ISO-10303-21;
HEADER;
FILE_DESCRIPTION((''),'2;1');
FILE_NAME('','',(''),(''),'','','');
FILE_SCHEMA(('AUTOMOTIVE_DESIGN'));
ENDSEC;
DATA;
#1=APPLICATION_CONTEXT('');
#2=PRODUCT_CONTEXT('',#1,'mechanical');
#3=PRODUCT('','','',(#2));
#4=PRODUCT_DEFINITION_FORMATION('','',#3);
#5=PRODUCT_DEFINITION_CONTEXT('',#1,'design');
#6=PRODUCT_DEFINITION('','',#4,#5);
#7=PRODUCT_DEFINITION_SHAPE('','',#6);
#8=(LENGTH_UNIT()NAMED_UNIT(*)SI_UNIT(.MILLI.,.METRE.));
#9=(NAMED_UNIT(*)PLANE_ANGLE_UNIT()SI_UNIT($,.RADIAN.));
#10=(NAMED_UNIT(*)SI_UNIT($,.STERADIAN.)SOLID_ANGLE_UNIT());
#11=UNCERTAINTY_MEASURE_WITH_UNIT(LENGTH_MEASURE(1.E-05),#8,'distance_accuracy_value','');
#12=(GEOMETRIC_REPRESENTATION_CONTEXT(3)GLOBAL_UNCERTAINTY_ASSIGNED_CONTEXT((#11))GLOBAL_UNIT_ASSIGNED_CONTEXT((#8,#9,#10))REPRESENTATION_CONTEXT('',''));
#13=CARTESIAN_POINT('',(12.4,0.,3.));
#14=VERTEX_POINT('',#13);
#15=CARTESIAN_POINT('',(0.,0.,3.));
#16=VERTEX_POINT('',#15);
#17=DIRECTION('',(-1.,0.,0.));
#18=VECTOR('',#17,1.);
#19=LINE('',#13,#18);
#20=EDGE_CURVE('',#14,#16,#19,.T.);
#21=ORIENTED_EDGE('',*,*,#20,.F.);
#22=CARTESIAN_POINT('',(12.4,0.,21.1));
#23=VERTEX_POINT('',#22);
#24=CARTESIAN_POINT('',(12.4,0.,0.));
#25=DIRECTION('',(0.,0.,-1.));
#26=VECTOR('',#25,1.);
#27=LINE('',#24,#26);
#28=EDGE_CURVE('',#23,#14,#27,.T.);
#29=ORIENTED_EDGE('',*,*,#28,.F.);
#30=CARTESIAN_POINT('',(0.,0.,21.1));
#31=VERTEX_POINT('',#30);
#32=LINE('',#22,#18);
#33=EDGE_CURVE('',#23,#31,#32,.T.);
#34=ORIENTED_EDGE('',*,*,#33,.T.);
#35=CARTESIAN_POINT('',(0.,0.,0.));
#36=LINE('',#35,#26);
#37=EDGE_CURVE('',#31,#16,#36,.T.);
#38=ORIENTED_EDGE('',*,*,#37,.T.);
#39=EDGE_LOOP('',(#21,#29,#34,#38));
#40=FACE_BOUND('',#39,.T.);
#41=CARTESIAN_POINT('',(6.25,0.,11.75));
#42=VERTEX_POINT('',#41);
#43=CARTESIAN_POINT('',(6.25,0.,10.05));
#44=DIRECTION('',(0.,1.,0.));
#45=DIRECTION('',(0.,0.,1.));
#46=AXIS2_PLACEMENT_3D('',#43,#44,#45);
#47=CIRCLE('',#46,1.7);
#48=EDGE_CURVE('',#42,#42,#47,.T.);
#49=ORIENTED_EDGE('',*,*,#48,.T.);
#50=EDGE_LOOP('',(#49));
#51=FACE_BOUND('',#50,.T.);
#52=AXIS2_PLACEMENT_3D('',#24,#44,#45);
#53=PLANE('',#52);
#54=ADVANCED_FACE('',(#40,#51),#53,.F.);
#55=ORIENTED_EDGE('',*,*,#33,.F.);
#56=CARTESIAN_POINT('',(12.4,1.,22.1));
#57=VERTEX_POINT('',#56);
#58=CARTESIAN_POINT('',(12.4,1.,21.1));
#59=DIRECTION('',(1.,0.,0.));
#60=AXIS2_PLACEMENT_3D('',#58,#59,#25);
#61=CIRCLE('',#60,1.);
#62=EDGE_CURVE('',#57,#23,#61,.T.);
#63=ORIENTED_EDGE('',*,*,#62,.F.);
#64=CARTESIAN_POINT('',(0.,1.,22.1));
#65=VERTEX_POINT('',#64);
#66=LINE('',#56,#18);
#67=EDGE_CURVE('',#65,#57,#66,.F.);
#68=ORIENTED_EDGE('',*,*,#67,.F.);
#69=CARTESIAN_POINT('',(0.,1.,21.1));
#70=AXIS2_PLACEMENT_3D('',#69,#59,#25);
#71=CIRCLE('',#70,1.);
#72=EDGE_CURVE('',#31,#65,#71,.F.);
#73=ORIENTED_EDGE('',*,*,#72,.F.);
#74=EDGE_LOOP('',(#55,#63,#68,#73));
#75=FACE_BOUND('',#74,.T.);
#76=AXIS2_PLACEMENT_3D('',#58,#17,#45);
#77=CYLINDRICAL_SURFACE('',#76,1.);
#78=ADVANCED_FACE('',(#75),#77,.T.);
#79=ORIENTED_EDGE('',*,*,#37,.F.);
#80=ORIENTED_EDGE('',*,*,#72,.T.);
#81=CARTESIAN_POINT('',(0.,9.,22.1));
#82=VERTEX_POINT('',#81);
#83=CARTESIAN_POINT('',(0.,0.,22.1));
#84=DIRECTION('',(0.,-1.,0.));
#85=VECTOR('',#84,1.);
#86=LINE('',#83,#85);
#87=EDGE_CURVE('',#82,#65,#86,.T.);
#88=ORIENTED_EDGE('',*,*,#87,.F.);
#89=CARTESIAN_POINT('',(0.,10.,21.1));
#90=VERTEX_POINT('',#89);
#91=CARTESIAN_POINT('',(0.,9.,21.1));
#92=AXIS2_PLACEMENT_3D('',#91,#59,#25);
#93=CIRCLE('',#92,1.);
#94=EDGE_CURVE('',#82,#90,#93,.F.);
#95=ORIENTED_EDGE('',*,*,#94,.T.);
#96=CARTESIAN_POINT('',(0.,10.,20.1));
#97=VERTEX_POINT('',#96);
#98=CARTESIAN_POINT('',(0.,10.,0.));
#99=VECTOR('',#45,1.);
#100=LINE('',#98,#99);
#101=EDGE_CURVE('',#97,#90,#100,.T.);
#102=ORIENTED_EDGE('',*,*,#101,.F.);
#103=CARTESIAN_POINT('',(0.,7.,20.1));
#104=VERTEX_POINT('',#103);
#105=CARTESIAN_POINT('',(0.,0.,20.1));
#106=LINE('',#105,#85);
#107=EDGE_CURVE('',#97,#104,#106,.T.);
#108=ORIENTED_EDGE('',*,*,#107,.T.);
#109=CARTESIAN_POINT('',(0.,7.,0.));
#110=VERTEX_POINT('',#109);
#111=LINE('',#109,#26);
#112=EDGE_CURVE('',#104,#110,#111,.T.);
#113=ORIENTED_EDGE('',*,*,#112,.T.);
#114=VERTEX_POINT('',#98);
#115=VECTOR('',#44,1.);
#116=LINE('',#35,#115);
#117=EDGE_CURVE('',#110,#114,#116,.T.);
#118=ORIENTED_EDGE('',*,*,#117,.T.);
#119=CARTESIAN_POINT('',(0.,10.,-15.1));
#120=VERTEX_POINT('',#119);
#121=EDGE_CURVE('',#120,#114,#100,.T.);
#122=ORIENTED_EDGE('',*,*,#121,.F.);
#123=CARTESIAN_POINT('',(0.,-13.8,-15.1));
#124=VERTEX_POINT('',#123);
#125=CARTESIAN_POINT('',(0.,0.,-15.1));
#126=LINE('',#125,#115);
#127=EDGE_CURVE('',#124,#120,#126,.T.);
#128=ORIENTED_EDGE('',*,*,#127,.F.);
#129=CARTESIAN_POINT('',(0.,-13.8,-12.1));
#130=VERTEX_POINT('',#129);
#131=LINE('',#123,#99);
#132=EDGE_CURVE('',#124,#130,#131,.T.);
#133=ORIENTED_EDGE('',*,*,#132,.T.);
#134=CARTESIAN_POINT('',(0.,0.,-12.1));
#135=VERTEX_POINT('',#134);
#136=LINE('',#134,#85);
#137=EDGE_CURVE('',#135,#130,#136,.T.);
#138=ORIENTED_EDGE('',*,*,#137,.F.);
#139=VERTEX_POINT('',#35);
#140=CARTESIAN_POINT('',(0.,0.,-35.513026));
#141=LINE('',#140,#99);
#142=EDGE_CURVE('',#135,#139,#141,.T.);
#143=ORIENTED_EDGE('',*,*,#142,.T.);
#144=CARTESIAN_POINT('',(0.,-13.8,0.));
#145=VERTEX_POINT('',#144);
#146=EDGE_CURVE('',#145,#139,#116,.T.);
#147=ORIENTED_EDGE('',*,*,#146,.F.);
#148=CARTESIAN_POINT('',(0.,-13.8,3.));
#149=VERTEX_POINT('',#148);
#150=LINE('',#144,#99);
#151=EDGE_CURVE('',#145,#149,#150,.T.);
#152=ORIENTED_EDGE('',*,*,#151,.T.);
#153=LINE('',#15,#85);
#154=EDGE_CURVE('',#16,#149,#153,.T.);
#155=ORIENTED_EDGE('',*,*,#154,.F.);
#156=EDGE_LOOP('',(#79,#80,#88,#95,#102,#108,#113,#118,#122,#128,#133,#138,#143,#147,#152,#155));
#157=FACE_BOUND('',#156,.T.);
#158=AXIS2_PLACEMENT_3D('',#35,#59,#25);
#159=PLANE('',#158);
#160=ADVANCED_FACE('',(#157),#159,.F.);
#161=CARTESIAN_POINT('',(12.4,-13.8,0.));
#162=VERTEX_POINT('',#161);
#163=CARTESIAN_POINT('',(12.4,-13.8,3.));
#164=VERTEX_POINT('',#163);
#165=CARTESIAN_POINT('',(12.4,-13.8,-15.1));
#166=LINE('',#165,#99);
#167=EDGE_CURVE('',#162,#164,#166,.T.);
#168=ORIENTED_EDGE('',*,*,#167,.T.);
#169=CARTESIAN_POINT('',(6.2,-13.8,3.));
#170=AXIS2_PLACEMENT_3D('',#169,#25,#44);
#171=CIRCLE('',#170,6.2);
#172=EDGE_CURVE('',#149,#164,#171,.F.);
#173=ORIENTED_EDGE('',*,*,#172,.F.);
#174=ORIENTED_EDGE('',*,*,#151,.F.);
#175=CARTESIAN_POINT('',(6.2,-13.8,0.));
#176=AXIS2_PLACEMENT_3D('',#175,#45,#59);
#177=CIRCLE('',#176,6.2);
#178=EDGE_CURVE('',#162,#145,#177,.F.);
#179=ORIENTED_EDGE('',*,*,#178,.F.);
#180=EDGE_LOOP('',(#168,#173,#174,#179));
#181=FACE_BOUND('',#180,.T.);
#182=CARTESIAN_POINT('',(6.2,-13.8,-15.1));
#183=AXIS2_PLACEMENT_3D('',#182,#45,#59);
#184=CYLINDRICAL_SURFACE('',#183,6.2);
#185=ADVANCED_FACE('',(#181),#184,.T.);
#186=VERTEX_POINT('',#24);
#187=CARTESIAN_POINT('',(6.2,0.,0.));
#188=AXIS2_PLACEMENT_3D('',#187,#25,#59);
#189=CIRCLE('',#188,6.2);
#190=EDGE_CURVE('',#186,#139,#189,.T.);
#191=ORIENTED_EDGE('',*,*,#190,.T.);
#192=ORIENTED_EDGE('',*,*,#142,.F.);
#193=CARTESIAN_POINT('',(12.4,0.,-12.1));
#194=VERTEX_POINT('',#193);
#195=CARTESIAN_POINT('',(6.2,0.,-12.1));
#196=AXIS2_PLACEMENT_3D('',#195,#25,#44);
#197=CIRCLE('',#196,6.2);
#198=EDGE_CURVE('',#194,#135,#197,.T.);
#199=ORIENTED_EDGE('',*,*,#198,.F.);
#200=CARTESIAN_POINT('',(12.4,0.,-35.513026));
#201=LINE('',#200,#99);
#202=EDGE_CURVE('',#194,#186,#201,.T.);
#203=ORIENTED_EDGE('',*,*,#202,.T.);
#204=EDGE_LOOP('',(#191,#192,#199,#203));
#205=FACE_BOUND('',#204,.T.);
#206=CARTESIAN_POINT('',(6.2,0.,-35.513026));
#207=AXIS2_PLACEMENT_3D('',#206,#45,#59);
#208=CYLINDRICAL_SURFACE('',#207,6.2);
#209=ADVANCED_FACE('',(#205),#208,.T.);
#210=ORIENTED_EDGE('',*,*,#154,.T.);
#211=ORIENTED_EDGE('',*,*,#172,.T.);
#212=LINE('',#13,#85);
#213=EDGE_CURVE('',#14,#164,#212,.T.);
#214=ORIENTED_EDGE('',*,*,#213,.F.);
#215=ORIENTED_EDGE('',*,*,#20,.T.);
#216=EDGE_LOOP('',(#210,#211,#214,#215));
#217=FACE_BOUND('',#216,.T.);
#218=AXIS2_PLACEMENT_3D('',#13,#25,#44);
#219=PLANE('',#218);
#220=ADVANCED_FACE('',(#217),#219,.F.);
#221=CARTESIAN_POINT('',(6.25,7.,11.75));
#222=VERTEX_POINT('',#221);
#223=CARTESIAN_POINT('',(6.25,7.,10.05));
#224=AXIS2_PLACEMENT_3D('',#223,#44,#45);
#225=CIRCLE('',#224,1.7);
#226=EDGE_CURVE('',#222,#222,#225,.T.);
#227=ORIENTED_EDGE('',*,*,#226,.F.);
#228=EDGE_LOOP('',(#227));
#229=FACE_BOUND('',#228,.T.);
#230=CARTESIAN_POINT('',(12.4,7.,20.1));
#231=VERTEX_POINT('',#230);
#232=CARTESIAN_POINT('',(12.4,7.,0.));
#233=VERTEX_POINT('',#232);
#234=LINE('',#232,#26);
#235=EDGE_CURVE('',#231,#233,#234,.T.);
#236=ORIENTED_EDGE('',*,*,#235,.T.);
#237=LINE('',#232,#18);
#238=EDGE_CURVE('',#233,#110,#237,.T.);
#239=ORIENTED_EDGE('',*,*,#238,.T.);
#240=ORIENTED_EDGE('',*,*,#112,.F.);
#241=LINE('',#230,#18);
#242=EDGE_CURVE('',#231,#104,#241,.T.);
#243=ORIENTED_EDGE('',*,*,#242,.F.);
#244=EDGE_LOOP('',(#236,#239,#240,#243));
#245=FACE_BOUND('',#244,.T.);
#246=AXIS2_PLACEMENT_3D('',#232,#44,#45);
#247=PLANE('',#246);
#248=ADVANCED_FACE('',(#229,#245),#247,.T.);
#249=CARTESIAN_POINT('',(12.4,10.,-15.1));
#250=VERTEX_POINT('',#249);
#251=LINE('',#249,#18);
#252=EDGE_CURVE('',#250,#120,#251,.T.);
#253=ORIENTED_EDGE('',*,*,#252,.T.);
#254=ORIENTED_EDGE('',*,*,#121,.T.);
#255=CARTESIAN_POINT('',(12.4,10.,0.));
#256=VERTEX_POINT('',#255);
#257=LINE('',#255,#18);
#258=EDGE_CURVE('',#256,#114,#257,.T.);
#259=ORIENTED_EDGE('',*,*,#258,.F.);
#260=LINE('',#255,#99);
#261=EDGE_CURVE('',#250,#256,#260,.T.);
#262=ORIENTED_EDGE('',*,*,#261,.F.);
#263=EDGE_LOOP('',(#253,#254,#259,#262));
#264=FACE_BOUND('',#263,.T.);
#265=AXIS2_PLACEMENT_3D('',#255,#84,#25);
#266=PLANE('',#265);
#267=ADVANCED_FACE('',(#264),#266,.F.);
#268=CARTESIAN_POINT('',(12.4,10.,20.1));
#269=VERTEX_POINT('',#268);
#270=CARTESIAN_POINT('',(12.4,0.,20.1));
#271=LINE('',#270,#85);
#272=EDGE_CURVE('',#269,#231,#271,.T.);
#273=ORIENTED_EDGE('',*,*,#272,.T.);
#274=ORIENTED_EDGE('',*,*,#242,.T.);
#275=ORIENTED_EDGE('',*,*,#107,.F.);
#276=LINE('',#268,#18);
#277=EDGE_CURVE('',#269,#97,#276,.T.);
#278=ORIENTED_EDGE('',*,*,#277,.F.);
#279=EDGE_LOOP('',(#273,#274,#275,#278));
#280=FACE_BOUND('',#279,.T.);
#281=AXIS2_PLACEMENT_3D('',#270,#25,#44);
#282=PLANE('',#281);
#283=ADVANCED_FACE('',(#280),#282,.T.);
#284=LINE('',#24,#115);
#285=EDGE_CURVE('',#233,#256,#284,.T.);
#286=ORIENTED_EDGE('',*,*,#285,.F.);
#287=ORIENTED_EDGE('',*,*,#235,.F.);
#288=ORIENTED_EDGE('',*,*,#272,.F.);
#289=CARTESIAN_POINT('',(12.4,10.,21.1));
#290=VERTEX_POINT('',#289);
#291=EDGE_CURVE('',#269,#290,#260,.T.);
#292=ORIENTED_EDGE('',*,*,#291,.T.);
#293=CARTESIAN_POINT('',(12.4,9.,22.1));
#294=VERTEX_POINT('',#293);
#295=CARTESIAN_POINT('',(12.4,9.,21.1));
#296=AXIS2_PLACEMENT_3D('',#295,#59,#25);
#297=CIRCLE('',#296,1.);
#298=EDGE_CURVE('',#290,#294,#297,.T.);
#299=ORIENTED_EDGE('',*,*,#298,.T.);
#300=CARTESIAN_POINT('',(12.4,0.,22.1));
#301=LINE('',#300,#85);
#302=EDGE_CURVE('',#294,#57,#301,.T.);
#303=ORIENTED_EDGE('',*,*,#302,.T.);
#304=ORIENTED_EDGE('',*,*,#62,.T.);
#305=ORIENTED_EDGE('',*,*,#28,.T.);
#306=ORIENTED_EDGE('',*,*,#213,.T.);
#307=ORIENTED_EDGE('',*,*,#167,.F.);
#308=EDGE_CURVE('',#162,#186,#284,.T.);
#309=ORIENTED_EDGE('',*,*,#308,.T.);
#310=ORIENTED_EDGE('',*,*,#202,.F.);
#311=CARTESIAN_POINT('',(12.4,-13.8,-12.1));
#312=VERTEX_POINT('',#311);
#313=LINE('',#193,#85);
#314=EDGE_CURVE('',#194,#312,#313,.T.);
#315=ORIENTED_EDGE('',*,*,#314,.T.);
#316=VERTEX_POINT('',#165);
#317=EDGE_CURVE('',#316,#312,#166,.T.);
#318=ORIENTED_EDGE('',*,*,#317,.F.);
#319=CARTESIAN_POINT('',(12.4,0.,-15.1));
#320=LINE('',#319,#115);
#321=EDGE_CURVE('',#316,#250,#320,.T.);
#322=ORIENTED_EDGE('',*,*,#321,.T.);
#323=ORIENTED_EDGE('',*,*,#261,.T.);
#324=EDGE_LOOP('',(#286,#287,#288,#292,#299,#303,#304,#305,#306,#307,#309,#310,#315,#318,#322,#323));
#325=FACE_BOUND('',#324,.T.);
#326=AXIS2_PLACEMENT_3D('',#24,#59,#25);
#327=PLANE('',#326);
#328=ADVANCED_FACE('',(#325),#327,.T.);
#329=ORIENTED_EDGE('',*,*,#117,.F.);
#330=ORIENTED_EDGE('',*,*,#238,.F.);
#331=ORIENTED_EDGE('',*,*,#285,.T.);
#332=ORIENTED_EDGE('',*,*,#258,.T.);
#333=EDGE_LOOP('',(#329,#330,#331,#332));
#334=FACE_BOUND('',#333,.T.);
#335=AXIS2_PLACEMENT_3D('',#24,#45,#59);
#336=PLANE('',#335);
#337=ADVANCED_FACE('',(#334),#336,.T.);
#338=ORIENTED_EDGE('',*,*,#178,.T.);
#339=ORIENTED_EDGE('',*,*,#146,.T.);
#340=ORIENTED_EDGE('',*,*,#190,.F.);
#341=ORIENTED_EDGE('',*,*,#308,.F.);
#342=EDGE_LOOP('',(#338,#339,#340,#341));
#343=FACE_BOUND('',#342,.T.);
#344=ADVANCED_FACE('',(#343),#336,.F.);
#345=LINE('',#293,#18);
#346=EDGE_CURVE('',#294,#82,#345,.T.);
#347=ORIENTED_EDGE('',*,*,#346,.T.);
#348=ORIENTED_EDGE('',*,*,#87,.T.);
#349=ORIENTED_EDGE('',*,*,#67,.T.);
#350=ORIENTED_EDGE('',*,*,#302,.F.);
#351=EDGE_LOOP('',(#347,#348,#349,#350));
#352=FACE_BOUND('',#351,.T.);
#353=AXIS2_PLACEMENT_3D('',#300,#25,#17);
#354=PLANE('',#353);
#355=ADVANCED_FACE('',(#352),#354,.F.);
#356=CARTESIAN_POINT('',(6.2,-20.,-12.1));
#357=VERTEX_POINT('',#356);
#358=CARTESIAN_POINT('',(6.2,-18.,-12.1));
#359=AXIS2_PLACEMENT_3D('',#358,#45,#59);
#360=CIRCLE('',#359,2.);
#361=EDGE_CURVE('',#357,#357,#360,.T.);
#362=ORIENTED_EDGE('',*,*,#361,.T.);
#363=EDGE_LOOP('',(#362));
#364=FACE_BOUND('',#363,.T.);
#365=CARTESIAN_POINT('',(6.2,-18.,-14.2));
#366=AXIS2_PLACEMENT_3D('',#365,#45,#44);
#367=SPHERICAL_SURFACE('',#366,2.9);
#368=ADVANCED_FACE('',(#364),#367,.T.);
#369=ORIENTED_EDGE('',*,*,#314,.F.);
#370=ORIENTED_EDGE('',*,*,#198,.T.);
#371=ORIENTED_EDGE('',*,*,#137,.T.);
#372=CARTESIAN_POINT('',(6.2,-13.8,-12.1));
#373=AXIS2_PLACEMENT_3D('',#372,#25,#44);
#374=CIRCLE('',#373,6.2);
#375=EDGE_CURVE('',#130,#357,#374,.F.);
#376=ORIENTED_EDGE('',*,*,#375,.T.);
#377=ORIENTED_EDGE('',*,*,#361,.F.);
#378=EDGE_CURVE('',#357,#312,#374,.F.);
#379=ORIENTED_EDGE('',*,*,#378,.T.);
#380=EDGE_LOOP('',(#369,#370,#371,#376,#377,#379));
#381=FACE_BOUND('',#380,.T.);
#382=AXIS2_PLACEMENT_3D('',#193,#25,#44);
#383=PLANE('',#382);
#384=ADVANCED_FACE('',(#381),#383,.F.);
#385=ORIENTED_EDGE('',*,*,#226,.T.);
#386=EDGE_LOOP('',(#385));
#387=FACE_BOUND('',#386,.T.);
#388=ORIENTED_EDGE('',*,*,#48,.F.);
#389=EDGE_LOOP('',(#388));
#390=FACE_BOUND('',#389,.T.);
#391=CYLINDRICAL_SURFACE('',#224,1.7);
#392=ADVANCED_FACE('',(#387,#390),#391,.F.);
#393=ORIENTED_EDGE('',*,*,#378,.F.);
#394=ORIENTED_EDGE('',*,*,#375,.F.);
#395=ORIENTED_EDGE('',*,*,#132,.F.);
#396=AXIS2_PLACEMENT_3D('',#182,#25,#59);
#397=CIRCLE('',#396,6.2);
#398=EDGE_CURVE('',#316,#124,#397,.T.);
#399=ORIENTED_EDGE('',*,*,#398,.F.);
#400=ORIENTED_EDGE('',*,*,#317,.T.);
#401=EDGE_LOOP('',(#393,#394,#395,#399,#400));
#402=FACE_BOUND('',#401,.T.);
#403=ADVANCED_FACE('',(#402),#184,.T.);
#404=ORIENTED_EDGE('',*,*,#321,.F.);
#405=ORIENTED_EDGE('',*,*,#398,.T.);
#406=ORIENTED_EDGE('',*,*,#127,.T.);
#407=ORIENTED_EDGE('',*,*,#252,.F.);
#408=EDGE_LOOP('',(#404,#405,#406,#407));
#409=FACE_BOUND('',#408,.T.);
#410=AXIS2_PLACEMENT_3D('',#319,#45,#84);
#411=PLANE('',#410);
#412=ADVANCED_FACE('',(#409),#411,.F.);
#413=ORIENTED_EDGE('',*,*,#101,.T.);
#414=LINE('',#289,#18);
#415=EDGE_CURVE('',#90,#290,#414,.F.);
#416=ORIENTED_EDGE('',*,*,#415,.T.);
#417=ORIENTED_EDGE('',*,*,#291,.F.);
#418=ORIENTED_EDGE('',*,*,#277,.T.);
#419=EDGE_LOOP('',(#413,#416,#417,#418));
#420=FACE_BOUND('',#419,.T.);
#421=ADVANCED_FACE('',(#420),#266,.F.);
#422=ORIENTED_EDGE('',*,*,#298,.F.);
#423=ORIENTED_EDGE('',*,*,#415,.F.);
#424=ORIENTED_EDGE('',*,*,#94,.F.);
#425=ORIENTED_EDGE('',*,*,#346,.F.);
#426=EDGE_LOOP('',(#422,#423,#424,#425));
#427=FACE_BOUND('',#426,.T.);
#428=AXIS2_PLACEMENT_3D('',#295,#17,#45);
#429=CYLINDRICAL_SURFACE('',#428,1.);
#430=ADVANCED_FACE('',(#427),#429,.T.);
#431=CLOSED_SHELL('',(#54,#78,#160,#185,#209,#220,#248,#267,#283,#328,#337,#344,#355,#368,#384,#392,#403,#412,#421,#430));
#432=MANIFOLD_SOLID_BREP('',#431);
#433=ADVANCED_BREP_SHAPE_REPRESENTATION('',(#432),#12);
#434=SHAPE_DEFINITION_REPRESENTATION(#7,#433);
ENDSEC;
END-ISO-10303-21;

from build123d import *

# Parameters (mm, degrees)
SKETCH_2_W               = 12.1
SKETCH_2_H               = 8
EXTRUDE_1_DEPTH          = 12.4
CUT_EXTRUDE_1_DEPTH      = 12.1
CUT_EXTRUDE_2_DEPTH      = 23.1
CUT_EXTRUDE_2_DEPTH_BACK = 16.1
HOLE_WIZARD_M31_D        = 3.4
HOLE_WIZARD_M31_DEPTH    = 10
HOLE_WIZARD_M31_TIP      = 1.021463052
FILLET_1_R               = 1


with BuildPart() as part:
    # Эскиз2 → Бобышка-Вытянуть1 (new body)
    with BuildSketch(Plane(origin=(0, 0, 0), x_dir=(0, 0, -1), z_dir=(1, 0, 0))):
        Polygon((-20.1, 10), (-20.1, 7), (0, 7), (0, 10), (15.1, 10), (15.1, -20), (12.1, -20), (12.1, 0), (0, 0), (0, -20), (-3, -20), (-3, 0), (-22.1, 0), (-22.1, 10), align=None)
        with Locations((6.05, -4)):
            Rectangle(SKETCH_2_W, SKETCH_2_H)
    extrude(amount=EXTRUDE_1_DEPTH)

    # Эскиз3 → Вырез-Вытянуть1 (cut)
    with BuildSketch(Plane.XY):
        with BuildLine():
            Line((0, 0), (-4.310236897, 0))
            Line((-4.310236897, 0), (-4.310236897, -10.158248203))
            Line((-4.310236897, -10.158248203), (16.784307367, -10.158248203))
            Line((16.784307367, -10.158248203), (16.784307367, 0))
            Line((16.784307367, 0), (12.4, 0))
            ThreePointArc((12.4, 0), (6.2, -6.2), (0, 0))
        make_face()
    extrude(amount=-CUT_EXTRUDE_1_DEPTH, mode=Mode.SUBTRACT)

    # Эскиз4 → Вырез-Вытянуть2 (cut, two sides)
    with BuildSketch(Plane.XY) as cut_extrude_2_sk:
        with BuildLine():
            Line((0, -13.8), (-4.529189241, -13.8))
            Line((-4.529189241, -13.8), (-4.529189241, -23.032738442))
            Line((-4.529189241, -23.032738442), (17.457291493, -23.032738442))
            Line((17.457291493, -23.032738442), (17.457291493, -13.8))
            Line((17.457291493, -13.8), (12.4, -13.8))
            ThreePointArc((12.4, -13.8), (6.2, -20), (0, -13.8))
        make_face()
    extrude(amount=CUT_EXTRUDE_2_DEPTH, mode=Mode.SUBTRACT)
    extrude(cut_extrude_2_sk.sketch, amount=-CUT_EXTRUDE_2_DEPTH_BACK, mode=Mode.SUBTRACT)

    # Отверстие с зазором M31
    with Locations(Plane(origin=(0, 7, 0), x_dir=(1, 0, 0), z_dir=(0, 1, 0))):
        with Locations((6.25, -10.05)):
            Hole(HOLE_WIZARD_M31_D / 2, depth=HOLE_WIZARD_M31_DEPTH)
            with Locations((0, 0, -(HOLE_WIZARD_M31_DEPTH + HOLE_WIZARD_M31_TIP / 2))):  # 118° drill point
                Cone(0, HOLE_WIZARD_M31_D / 2, HOLE_WIZARD_M31_TIP, mode=Mode.SUBTRACT)

    # Скругление1
    fillet_1_edges = [part.edges().sort_by_distance(p)[0] for p in [
        (6.2, 0, 22.1),
        (6.2, 10, 22.1),
    ]]
    fillet(fillet_1_edges, radius=FILLET_1_R)

    # Эскиз9 → Повернуть1 (revolve)
    with BuildSketch(Plane(origin=(6.2, 0, 0), x_dir=(0, 0, -1), z_dir=(1, 0, 0))):
        with BuildLine():
            Line((12.1, -20), (12.1, -18))
            Line((12.1, -18), (11.3, -18))
            ThreePointArc((11.3, -18), (11.507417596, -19.077032961), (12.1, -20))
        make_face()
    revolve(axis=Axis((6.2, -18, -11.3), (0, 0, -1)))


solid = part.part
